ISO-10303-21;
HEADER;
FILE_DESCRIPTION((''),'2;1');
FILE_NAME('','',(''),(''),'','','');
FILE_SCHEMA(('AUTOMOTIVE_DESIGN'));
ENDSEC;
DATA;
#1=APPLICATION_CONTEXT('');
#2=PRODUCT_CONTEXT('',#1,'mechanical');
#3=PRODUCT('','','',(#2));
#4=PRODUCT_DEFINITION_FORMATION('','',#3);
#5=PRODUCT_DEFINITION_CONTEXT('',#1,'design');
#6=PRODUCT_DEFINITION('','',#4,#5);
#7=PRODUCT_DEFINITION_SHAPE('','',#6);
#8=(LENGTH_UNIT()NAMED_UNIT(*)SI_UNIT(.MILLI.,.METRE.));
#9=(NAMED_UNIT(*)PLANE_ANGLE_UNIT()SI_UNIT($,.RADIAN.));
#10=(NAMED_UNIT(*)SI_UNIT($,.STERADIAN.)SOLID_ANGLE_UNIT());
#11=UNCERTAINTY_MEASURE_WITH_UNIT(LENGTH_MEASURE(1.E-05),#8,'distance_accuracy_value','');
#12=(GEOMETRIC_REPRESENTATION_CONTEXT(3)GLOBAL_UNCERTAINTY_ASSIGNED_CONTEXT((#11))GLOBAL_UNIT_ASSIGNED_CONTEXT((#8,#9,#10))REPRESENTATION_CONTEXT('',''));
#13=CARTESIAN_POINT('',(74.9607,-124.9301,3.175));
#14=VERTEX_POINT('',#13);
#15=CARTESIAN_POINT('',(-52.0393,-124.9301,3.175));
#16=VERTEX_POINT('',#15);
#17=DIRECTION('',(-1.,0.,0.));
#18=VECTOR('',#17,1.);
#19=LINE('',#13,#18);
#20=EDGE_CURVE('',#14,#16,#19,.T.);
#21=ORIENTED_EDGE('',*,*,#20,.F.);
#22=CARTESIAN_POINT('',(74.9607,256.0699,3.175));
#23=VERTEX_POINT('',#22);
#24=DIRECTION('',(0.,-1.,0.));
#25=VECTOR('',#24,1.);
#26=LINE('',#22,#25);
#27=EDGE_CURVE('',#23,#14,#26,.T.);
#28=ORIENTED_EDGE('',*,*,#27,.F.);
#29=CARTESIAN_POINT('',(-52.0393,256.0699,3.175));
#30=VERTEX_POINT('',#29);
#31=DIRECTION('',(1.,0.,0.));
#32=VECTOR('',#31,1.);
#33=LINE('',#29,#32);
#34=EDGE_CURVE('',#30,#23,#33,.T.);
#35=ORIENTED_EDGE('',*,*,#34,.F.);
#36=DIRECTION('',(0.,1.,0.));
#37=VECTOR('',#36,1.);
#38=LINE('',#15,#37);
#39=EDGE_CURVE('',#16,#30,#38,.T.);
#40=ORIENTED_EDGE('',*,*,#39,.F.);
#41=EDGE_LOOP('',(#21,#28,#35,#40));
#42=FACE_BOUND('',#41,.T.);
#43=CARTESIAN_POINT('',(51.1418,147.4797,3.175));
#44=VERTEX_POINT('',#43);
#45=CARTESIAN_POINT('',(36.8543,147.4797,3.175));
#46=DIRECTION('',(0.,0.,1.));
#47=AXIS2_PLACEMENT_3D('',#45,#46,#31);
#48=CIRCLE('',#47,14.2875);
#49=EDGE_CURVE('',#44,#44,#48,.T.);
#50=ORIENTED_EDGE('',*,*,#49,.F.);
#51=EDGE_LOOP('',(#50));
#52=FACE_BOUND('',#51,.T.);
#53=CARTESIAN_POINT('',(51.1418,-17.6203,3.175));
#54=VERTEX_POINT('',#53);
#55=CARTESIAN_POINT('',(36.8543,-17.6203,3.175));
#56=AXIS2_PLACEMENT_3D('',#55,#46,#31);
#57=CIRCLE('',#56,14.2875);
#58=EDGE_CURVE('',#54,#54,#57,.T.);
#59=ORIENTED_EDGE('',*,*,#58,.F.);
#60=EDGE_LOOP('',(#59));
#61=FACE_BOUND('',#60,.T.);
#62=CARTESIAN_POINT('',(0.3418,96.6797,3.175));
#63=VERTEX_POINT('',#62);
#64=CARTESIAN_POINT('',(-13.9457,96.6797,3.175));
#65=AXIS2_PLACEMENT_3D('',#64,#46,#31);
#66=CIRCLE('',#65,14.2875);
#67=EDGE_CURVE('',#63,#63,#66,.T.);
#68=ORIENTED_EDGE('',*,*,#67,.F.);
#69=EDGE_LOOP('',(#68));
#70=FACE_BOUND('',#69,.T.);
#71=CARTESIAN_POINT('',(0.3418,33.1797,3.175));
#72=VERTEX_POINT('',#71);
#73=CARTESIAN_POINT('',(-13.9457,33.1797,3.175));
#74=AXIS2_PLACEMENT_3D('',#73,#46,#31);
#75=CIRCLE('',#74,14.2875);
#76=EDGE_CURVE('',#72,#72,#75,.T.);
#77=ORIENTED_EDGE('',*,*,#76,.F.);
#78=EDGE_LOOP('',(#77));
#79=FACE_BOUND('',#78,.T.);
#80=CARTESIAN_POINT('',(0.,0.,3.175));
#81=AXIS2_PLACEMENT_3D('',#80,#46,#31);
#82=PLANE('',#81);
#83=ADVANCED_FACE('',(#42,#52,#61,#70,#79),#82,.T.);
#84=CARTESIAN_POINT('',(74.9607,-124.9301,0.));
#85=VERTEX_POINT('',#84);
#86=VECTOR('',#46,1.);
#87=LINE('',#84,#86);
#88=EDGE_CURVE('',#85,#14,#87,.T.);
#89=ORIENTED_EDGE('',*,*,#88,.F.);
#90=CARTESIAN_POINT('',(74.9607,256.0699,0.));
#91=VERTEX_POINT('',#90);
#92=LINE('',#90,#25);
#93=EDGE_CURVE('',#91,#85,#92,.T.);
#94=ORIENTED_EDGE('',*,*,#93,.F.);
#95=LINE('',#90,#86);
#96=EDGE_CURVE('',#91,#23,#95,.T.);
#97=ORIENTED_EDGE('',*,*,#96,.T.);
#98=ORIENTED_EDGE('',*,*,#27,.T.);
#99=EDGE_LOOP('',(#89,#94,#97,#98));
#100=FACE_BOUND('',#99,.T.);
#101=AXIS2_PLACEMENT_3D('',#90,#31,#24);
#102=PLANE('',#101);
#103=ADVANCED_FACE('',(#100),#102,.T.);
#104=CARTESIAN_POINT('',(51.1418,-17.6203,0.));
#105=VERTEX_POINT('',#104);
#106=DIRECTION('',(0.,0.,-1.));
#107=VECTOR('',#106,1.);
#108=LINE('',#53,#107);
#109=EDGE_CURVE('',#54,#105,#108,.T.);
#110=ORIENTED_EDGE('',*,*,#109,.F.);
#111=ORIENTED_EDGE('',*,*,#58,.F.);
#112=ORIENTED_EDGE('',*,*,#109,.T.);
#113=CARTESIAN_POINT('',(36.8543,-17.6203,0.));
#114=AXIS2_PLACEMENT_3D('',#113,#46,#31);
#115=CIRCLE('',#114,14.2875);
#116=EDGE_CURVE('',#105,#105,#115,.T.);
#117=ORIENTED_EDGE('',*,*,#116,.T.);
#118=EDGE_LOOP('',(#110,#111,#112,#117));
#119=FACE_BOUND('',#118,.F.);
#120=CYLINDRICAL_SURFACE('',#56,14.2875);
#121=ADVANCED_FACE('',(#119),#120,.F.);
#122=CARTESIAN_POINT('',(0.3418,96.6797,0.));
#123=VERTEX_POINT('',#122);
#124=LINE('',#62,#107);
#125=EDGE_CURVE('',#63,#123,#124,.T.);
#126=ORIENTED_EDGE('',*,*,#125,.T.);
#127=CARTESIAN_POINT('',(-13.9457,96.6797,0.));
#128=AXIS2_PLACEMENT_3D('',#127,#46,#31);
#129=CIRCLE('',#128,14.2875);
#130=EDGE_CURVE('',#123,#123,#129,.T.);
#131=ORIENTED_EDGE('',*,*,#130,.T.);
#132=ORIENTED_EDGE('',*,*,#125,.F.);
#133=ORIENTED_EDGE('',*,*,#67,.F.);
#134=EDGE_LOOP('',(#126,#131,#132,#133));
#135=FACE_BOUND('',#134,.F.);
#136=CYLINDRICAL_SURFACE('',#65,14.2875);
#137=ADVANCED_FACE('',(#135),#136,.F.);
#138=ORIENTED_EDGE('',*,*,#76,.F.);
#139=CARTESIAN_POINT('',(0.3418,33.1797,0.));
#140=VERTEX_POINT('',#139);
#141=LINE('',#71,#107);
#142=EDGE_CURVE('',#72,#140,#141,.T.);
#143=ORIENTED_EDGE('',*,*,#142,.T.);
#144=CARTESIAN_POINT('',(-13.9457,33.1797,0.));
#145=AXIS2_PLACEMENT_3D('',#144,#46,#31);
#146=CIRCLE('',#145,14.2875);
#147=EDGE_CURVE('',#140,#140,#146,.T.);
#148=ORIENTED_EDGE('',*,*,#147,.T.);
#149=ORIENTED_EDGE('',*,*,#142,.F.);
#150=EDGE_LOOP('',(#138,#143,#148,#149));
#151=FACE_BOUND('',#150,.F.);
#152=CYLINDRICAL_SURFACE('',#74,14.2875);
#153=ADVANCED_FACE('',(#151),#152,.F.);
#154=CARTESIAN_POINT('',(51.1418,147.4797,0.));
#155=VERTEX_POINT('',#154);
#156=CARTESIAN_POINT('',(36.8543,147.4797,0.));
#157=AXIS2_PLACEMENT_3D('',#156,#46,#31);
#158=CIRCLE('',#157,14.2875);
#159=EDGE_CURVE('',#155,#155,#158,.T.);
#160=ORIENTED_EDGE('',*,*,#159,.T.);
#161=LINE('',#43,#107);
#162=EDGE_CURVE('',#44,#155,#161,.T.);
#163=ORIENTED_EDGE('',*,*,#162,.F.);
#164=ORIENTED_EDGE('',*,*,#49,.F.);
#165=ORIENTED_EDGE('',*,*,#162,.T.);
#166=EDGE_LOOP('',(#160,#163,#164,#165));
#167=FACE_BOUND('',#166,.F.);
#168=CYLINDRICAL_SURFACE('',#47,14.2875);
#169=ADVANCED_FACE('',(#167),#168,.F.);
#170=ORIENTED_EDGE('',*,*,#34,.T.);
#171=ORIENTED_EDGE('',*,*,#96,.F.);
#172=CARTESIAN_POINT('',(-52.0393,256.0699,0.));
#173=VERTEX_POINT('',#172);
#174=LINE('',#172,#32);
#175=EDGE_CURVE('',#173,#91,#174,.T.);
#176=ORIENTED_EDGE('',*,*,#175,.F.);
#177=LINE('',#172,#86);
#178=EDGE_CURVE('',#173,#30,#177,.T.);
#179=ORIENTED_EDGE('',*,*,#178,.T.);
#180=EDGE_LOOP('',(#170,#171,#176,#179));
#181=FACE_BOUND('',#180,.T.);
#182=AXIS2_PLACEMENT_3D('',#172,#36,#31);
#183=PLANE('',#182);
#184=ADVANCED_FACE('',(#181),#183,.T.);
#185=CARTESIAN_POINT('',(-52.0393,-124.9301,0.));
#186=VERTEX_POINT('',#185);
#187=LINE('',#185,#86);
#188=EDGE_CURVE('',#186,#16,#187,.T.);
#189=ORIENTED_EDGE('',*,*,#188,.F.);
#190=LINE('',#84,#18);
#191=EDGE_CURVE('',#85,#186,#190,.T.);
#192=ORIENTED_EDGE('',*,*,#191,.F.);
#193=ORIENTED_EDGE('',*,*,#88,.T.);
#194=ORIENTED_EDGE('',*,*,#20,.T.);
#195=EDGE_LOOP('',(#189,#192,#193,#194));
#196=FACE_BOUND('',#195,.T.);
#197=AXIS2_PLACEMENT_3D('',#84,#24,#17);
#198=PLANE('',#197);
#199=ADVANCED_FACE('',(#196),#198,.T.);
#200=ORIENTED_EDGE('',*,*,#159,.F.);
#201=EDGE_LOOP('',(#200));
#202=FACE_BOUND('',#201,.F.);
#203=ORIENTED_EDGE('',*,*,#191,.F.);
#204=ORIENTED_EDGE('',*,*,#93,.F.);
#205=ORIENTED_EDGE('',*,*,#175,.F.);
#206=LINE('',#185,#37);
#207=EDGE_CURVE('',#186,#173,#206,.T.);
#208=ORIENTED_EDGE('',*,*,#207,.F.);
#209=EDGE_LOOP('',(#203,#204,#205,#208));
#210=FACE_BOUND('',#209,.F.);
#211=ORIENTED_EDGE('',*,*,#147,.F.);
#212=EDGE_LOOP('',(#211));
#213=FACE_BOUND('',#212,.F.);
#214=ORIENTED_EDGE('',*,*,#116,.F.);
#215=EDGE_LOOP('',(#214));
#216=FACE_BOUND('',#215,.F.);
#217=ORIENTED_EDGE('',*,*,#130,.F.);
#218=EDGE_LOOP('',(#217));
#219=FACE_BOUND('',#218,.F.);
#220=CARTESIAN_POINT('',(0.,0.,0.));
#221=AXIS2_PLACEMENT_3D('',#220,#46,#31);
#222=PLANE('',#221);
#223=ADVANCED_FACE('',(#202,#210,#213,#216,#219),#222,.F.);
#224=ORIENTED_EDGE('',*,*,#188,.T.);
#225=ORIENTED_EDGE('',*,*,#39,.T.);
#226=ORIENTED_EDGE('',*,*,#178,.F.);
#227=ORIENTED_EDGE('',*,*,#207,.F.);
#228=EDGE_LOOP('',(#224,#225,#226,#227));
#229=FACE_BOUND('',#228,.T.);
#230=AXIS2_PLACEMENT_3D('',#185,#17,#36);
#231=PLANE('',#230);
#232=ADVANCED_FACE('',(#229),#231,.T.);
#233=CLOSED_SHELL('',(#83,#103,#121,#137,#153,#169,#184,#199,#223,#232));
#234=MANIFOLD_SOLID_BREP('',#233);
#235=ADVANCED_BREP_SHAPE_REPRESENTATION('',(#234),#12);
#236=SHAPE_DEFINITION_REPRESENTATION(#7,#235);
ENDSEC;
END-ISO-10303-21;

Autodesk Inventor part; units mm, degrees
ref_plane "YZ Plane" through (0, 0, 0) normal (1, 0, 0) x (0, 1, 0)
ref_plane "XZ Plane" through (0, 0, 0) normal (0, 1, 0) x (-1, 0, 0)
ref_plane "XY Plane" through (0, 0, 0) normal (0, 0, 1) x (1, 0, 0)
sketch "Sketch1" plane through (0, 0, 0) normal (0, 0, 1) x (1, 0, 0)
  line L0 (-52.0393, 256.0699) -> (74.9607, 256.0699)
  line L1 (74.9607, 256.0699) -> (74.9607, -124.9301)
  line L2 (74.9607, -124.9301) -> (-52.0393, -124.9301)
  line L3 (-52.0393, -124.9301) -> (-52.0393, 256.0699)
  point P0 (0, 0)
  dimension "d0" = 127
  dimension "d1" = 381
extrude "Extrusion1" add sketch "Sketch1" along normal blind 3.175
sketch "Sketch3" plane through (0, 0, 3.175) normal (0, 0, 1) x (1, 0, 0)
  line L0 (-52.0393, 256.0699) -> (-52.0393, -124.9301) projected
  line L1 (-52.0393, 65.5699) -> (-45.6893, 65.5699) construction
  line L2 (-45.6893, 65.5699) -> (-13.9457, 64.9297) construction
  line L3 (-13.9457, 64.9297) -> (-13.9457, 96.6797) construction
  line L4 (-13.9457, 64.9297) -> (17.8043, 64.9297) construction
  line L5 (-13.9457, 64.9297) -> (-13.9457, 33.1797) construction
  line L6 (-13.9457, 64.9297) -> (17.8043, 64.9297) construction
  line L7 (-13.9457, 96.6797) -> (36.8543, 96.6797) construction
  line L8 (36.8543, 96.6797) -> (36.8543, 147.4797) construction
  line L9 (36.8543, 147.4797) -> (-13.9457, 147.4797) construction
  line L10 (-13.9457, 147.4797) -> (-13.9457, 96.6797) construction
  circle A0 centre (36.8543, 147.4797) radius 14.2875
  line L11 (-13.9457, 33.1797) -> (36.8543, 33.1797) construction
  line L12 (36.8543, 33.1797) -> (36.8543, -17.6203) construction
  line L13 (36.8543, -17.6203) -> (-13.9457, -17.6203) construction
  line L14 (-13.9457, -17.6203) -> (-13.9457, 33.1797) construction
  circle A1 centre (36.8543, -17.6203) radius 14.2875
  circle A2 centre (-13.9457, 96.6797) radius 14.2875
  circle A3 centre (-13.9457, 33.1797) radius 14.2875
  dimension "d20" = 6.35
  dimension "d21" = 31.75
  dimension "d22" = 31.75
  dimension "d23" = 90
  dimension "d24" = 31.75
  dimension "d25" = 90
  dimension "d26" = 50.8
  dimension "d27" = 50.8
  dimension "d28" = 28.575
  dimension "d29" = 50.8
  dimension "d30" = 50.8
  dimension "d31" = 28.575
  dimension "d36" = 28.575
  dimension "d37" = 28.575
extrude "Extrusion2" cut sketch "Sketch3" against normal blind 25.4
properties part number "Holding Plate"
